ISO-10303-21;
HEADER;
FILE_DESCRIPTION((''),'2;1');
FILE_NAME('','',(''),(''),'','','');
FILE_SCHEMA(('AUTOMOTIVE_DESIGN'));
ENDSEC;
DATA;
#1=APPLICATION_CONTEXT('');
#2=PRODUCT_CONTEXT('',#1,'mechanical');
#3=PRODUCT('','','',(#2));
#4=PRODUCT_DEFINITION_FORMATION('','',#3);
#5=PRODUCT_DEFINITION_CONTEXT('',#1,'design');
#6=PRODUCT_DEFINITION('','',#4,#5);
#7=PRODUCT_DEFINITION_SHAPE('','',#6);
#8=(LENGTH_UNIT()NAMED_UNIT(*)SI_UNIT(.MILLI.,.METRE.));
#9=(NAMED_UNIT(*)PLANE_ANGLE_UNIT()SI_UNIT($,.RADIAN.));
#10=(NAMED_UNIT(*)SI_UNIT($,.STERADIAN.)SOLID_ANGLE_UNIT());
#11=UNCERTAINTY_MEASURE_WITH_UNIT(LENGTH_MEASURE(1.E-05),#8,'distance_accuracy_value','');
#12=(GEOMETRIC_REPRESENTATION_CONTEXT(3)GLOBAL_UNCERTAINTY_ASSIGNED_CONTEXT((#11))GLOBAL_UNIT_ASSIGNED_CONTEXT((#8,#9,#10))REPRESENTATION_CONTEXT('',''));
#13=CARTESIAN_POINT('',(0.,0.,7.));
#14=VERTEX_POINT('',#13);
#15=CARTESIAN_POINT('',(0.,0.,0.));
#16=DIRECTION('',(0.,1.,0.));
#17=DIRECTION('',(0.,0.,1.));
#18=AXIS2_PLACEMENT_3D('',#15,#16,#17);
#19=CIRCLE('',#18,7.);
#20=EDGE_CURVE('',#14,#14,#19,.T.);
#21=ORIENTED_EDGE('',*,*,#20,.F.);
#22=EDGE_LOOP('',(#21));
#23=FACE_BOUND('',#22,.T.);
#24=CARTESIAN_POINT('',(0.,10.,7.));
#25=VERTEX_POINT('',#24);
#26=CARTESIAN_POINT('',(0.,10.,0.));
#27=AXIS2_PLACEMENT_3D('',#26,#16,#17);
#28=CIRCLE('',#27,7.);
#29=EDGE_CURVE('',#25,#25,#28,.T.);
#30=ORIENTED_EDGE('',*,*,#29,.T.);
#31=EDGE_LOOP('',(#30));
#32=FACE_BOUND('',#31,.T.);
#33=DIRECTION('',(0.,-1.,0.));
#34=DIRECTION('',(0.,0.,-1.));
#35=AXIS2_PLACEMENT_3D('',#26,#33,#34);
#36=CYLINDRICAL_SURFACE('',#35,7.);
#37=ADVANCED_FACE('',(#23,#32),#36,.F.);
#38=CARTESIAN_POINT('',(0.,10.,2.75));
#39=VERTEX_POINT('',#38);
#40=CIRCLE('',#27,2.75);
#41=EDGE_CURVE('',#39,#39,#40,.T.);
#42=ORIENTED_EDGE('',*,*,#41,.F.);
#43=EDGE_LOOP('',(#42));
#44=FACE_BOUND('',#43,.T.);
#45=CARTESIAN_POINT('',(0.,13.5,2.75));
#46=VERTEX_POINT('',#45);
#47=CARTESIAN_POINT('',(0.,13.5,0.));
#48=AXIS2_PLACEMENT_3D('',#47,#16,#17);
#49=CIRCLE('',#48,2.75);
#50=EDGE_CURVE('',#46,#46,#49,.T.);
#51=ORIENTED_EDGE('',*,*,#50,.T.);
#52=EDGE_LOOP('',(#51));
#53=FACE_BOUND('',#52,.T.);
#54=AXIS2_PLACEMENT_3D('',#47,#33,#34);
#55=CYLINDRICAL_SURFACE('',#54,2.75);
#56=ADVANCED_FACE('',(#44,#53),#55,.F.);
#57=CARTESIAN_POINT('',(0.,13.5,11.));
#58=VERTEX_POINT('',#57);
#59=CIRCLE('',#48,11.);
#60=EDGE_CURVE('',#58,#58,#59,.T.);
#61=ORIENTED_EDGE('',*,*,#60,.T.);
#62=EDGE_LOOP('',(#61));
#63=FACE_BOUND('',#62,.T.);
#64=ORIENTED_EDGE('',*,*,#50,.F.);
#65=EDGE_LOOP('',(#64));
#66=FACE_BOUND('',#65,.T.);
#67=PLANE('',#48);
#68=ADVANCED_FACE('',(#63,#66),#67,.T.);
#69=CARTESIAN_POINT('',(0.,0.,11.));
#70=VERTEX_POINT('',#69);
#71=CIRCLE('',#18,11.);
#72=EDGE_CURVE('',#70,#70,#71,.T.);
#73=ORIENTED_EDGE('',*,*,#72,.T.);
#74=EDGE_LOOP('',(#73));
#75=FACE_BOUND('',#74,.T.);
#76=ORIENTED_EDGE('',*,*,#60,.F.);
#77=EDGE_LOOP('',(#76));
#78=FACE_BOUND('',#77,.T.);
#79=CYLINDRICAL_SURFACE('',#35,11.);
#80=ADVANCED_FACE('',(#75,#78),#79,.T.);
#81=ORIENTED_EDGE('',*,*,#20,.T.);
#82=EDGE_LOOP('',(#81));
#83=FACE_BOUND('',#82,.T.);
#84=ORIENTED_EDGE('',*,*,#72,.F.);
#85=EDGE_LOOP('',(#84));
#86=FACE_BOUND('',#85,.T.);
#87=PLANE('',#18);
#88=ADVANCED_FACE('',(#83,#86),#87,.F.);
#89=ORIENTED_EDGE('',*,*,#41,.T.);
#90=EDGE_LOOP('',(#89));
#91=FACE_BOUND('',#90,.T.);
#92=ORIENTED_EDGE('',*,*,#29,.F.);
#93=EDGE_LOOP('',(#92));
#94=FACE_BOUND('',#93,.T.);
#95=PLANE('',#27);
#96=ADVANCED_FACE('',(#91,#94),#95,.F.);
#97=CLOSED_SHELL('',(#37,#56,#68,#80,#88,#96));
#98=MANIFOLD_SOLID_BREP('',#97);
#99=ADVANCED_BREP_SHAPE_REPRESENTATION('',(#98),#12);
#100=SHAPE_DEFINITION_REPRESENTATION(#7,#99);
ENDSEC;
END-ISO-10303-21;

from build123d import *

# Parameters (mm, degrees)
SKETCH1_R           = 11
SKETCH1_R_2         = 7
BOSS_EXTRUDE1_DEPTH = 10
SKETCH2_R           = 11
SKETCH2_R_2         = 2.75
BOSS_EXTRUDE2_DEPTH = 3.5


with BuildPart() as part:
    # Sketch1 → Boss-Extrude1 (new body)
    with BuildSketch(Plane(origin=(0, 0, 0), x_dir=(1, 0, 0), z_dir=(0, 1, 0))):
        with Locations(Location((0, 0, 0), (0, 0, 270))):
            Circle(SKETCH1_R)
        with Locations(Location((0, 0, 0), (0, 0, 270))):
            Circle(SKETCH1_R_2, mode=Mode.SUBTRACT)
    extrude(amount=BOSS_EXTRUDE1_DEPTH)

    # Sketch2 → Boss-Extrude2 (add)
    with BuildSketch(Plane(origin=(0, 10, 0), x_dir=(1, 0, 0), z_dir=(0, 1, 0))):
        with Locations(Location((0, 0, 0), (0, 0, 270))):
            Circle(SKETCH2_R)
        with Locations(Location((0, 0, 0), (0, 0, 270))):
            Circle(SKETCH2_R_2, mode=Mode.SUBTRACT)
    extrude(amount=BOSS_EXTRUDE2_DEPTH)


solid = part.part
